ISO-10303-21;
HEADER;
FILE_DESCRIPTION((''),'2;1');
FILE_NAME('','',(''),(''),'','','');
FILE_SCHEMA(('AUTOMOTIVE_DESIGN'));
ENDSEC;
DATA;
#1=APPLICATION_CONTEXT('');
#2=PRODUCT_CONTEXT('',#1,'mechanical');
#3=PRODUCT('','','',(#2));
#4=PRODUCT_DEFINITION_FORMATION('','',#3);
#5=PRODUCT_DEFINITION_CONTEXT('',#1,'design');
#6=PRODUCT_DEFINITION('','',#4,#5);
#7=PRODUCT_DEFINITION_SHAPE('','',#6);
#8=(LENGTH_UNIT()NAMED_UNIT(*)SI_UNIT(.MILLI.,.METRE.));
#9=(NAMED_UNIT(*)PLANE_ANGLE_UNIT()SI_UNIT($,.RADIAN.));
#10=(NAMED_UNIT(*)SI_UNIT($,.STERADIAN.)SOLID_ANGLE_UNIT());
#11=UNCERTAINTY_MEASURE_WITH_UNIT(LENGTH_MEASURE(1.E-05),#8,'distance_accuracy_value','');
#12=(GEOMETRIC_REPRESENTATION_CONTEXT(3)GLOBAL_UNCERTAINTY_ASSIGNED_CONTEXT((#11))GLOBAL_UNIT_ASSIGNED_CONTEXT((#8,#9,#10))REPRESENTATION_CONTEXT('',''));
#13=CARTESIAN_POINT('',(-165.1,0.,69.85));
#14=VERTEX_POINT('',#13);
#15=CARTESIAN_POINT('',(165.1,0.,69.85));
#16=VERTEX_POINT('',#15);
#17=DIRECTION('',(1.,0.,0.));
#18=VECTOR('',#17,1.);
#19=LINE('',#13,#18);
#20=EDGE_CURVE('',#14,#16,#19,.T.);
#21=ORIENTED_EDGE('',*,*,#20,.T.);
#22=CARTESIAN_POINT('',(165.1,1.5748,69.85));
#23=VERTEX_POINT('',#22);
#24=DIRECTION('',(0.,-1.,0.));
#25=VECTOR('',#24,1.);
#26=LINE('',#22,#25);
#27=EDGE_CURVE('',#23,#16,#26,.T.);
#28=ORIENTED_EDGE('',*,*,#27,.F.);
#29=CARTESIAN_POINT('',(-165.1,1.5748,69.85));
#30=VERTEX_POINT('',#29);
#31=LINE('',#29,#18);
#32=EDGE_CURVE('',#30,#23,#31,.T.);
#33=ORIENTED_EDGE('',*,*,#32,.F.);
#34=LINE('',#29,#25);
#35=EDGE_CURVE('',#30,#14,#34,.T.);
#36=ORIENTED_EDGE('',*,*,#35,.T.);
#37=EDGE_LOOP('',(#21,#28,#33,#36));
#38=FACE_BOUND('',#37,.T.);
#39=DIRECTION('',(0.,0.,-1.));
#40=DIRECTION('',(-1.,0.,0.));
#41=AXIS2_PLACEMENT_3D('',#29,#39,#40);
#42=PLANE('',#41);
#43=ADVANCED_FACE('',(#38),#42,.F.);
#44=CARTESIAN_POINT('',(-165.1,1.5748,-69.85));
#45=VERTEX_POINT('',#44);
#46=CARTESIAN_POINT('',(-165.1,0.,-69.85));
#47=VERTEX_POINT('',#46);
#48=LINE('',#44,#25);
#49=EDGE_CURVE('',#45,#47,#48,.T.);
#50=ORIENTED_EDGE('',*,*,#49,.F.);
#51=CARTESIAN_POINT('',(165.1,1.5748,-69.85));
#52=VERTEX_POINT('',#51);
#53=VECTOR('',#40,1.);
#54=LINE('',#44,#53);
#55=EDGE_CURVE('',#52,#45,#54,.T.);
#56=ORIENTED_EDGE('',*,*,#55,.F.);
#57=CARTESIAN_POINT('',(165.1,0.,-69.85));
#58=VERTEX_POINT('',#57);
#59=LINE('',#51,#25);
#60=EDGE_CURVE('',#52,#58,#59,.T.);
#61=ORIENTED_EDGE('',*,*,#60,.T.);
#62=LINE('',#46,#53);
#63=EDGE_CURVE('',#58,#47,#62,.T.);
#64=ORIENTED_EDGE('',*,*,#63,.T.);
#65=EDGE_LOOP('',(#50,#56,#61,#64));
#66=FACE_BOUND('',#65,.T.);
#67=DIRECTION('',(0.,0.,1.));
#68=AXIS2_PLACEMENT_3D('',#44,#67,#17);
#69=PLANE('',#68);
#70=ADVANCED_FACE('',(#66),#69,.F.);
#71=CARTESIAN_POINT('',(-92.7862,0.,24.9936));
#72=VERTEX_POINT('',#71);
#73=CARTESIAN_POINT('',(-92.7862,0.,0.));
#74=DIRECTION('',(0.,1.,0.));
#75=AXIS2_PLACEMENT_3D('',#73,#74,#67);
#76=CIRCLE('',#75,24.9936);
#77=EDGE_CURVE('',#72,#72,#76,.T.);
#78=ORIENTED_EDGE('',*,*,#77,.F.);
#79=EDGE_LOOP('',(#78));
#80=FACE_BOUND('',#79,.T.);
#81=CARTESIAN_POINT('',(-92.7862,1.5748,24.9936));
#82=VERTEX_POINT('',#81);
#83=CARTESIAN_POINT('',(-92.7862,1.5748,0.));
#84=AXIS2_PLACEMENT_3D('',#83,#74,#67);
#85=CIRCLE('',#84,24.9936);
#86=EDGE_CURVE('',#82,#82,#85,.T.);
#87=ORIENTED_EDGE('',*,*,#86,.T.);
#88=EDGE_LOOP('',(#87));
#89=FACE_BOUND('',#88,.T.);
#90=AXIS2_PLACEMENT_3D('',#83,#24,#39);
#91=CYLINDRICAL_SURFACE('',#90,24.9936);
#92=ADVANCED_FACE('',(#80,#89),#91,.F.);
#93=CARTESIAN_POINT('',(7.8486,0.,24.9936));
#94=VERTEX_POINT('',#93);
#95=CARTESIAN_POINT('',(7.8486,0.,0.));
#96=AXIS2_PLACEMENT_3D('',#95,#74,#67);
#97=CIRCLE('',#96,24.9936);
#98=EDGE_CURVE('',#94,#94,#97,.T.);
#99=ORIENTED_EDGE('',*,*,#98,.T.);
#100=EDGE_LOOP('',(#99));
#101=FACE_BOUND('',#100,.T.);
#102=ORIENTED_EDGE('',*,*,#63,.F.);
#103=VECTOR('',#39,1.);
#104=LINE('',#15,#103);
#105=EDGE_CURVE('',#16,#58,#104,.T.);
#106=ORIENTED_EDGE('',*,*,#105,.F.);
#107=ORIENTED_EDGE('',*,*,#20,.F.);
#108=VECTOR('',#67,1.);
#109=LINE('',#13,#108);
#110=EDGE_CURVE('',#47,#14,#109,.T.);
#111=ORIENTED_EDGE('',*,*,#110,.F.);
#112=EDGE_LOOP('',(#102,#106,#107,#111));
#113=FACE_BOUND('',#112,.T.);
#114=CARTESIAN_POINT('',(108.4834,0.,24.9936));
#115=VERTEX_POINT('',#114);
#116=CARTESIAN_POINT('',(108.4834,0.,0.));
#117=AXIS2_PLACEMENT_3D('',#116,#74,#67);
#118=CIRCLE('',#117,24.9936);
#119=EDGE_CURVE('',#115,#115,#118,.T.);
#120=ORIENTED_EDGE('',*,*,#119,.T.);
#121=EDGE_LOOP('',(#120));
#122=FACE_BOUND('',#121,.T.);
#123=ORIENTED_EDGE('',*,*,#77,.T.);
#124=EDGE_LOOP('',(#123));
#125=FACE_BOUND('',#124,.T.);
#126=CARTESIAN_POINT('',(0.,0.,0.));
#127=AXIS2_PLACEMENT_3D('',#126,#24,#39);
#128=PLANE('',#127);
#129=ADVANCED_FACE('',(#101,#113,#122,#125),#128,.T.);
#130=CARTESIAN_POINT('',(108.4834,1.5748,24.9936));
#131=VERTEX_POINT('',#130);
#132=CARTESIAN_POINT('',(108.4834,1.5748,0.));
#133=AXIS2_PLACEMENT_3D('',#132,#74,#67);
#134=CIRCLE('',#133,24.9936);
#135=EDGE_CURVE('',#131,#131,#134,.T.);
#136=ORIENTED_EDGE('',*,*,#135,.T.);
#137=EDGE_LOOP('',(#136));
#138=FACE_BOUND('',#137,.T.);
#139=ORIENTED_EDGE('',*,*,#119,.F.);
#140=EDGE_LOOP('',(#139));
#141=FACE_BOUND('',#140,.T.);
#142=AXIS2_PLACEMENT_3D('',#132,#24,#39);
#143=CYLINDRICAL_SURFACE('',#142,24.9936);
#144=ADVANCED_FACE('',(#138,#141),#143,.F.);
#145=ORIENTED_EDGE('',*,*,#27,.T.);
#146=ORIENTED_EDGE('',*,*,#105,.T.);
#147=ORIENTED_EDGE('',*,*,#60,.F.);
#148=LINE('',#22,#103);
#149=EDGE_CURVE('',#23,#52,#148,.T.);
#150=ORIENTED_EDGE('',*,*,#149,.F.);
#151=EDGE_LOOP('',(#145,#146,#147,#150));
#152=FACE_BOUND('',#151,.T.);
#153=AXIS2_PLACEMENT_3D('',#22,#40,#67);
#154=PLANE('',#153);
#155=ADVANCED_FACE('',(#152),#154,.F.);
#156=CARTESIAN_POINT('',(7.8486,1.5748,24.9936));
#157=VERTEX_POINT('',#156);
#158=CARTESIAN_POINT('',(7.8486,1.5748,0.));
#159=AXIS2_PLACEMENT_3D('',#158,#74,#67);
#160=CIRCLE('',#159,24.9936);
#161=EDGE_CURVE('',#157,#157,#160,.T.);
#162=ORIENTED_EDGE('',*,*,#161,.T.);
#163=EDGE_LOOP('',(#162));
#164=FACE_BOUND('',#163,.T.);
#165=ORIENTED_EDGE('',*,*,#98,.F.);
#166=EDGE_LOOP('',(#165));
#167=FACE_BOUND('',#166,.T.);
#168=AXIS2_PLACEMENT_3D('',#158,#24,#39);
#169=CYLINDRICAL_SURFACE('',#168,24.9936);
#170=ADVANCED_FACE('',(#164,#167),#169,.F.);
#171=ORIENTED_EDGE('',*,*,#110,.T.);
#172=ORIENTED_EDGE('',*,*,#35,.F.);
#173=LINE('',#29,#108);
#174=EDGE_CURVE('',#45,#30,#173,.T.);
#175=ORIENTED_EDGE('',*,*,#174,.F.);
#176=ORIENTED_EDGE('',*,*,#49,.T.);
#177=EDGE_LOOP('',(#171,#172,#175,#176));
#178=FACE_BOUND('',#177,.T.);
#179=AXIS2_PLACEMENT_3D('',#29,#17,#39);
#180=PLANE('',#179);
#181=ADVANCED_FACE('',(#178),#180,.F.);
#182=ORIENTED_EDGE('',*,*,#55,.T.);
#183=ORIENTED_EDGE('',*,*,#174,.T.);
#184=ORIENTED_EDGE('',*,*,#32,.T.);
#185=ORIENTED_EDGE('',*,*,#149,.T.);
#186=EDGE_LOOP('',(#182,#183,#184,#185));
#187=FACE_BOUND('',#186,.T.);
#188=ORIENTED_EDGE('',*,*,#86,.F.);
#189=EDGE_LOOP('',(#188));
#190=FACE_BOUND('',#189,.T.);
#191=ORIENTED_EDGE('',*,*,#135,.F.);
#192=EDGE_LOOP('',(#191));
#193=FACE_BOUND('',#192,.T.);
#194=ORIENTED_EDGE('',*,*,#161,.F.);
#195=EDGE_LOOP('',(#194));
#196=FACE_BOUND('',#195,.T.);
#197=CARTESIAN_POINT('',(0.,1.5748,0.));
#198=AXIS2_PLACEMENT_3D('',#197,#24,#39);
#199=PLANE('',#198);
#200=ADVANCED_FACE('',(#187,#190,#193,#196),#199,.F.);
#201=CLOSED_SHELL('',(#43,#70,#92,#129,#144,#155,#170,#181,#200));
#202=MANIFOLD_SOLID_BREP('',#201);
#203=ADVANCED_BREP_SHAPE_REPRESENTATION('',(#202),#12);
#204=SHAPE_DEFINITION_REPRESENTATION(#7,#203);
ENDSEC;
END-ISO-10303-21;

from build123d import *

# Parameters (mm, degrees)
SKETCH1_W           = 330.2
SKETCH1_H           = 139.7
SKETCH1_R           = 24.9936
BOSS_EXTRUDE1_DEPTH = 1.5748


with BuildPart() as part:
    # Sketch1 → Boss-Extrude1 (new body)
    with BuildSketch(Plane(origin=(0, 0, 0), x_dir=(1, 0, 0), z_dir=(0, 1, 0))):
        Rectangle(SKETCH1_W, SKETCH1_H)
        with Locations(Location((-92.7862, 0, 0), (0, 0, 270))):
            Circle(SKETCH1_R, mode=Mode.SUBTRACT)
        with Locations(Location((7.8486, 0, 0), (0, 0, 270))):
            Circle(SKETCH1_R, mode=Mode.SUBTRACT)
        with Locations(Location((108.4834, 0, 0), (0, 0, 270))):
            Circle(SKETCH1_R, mode=Mode.SUBTRACT)
    extrude(amount=BOSS_EXTRUDE1_DEPTH)


solid = part.part
